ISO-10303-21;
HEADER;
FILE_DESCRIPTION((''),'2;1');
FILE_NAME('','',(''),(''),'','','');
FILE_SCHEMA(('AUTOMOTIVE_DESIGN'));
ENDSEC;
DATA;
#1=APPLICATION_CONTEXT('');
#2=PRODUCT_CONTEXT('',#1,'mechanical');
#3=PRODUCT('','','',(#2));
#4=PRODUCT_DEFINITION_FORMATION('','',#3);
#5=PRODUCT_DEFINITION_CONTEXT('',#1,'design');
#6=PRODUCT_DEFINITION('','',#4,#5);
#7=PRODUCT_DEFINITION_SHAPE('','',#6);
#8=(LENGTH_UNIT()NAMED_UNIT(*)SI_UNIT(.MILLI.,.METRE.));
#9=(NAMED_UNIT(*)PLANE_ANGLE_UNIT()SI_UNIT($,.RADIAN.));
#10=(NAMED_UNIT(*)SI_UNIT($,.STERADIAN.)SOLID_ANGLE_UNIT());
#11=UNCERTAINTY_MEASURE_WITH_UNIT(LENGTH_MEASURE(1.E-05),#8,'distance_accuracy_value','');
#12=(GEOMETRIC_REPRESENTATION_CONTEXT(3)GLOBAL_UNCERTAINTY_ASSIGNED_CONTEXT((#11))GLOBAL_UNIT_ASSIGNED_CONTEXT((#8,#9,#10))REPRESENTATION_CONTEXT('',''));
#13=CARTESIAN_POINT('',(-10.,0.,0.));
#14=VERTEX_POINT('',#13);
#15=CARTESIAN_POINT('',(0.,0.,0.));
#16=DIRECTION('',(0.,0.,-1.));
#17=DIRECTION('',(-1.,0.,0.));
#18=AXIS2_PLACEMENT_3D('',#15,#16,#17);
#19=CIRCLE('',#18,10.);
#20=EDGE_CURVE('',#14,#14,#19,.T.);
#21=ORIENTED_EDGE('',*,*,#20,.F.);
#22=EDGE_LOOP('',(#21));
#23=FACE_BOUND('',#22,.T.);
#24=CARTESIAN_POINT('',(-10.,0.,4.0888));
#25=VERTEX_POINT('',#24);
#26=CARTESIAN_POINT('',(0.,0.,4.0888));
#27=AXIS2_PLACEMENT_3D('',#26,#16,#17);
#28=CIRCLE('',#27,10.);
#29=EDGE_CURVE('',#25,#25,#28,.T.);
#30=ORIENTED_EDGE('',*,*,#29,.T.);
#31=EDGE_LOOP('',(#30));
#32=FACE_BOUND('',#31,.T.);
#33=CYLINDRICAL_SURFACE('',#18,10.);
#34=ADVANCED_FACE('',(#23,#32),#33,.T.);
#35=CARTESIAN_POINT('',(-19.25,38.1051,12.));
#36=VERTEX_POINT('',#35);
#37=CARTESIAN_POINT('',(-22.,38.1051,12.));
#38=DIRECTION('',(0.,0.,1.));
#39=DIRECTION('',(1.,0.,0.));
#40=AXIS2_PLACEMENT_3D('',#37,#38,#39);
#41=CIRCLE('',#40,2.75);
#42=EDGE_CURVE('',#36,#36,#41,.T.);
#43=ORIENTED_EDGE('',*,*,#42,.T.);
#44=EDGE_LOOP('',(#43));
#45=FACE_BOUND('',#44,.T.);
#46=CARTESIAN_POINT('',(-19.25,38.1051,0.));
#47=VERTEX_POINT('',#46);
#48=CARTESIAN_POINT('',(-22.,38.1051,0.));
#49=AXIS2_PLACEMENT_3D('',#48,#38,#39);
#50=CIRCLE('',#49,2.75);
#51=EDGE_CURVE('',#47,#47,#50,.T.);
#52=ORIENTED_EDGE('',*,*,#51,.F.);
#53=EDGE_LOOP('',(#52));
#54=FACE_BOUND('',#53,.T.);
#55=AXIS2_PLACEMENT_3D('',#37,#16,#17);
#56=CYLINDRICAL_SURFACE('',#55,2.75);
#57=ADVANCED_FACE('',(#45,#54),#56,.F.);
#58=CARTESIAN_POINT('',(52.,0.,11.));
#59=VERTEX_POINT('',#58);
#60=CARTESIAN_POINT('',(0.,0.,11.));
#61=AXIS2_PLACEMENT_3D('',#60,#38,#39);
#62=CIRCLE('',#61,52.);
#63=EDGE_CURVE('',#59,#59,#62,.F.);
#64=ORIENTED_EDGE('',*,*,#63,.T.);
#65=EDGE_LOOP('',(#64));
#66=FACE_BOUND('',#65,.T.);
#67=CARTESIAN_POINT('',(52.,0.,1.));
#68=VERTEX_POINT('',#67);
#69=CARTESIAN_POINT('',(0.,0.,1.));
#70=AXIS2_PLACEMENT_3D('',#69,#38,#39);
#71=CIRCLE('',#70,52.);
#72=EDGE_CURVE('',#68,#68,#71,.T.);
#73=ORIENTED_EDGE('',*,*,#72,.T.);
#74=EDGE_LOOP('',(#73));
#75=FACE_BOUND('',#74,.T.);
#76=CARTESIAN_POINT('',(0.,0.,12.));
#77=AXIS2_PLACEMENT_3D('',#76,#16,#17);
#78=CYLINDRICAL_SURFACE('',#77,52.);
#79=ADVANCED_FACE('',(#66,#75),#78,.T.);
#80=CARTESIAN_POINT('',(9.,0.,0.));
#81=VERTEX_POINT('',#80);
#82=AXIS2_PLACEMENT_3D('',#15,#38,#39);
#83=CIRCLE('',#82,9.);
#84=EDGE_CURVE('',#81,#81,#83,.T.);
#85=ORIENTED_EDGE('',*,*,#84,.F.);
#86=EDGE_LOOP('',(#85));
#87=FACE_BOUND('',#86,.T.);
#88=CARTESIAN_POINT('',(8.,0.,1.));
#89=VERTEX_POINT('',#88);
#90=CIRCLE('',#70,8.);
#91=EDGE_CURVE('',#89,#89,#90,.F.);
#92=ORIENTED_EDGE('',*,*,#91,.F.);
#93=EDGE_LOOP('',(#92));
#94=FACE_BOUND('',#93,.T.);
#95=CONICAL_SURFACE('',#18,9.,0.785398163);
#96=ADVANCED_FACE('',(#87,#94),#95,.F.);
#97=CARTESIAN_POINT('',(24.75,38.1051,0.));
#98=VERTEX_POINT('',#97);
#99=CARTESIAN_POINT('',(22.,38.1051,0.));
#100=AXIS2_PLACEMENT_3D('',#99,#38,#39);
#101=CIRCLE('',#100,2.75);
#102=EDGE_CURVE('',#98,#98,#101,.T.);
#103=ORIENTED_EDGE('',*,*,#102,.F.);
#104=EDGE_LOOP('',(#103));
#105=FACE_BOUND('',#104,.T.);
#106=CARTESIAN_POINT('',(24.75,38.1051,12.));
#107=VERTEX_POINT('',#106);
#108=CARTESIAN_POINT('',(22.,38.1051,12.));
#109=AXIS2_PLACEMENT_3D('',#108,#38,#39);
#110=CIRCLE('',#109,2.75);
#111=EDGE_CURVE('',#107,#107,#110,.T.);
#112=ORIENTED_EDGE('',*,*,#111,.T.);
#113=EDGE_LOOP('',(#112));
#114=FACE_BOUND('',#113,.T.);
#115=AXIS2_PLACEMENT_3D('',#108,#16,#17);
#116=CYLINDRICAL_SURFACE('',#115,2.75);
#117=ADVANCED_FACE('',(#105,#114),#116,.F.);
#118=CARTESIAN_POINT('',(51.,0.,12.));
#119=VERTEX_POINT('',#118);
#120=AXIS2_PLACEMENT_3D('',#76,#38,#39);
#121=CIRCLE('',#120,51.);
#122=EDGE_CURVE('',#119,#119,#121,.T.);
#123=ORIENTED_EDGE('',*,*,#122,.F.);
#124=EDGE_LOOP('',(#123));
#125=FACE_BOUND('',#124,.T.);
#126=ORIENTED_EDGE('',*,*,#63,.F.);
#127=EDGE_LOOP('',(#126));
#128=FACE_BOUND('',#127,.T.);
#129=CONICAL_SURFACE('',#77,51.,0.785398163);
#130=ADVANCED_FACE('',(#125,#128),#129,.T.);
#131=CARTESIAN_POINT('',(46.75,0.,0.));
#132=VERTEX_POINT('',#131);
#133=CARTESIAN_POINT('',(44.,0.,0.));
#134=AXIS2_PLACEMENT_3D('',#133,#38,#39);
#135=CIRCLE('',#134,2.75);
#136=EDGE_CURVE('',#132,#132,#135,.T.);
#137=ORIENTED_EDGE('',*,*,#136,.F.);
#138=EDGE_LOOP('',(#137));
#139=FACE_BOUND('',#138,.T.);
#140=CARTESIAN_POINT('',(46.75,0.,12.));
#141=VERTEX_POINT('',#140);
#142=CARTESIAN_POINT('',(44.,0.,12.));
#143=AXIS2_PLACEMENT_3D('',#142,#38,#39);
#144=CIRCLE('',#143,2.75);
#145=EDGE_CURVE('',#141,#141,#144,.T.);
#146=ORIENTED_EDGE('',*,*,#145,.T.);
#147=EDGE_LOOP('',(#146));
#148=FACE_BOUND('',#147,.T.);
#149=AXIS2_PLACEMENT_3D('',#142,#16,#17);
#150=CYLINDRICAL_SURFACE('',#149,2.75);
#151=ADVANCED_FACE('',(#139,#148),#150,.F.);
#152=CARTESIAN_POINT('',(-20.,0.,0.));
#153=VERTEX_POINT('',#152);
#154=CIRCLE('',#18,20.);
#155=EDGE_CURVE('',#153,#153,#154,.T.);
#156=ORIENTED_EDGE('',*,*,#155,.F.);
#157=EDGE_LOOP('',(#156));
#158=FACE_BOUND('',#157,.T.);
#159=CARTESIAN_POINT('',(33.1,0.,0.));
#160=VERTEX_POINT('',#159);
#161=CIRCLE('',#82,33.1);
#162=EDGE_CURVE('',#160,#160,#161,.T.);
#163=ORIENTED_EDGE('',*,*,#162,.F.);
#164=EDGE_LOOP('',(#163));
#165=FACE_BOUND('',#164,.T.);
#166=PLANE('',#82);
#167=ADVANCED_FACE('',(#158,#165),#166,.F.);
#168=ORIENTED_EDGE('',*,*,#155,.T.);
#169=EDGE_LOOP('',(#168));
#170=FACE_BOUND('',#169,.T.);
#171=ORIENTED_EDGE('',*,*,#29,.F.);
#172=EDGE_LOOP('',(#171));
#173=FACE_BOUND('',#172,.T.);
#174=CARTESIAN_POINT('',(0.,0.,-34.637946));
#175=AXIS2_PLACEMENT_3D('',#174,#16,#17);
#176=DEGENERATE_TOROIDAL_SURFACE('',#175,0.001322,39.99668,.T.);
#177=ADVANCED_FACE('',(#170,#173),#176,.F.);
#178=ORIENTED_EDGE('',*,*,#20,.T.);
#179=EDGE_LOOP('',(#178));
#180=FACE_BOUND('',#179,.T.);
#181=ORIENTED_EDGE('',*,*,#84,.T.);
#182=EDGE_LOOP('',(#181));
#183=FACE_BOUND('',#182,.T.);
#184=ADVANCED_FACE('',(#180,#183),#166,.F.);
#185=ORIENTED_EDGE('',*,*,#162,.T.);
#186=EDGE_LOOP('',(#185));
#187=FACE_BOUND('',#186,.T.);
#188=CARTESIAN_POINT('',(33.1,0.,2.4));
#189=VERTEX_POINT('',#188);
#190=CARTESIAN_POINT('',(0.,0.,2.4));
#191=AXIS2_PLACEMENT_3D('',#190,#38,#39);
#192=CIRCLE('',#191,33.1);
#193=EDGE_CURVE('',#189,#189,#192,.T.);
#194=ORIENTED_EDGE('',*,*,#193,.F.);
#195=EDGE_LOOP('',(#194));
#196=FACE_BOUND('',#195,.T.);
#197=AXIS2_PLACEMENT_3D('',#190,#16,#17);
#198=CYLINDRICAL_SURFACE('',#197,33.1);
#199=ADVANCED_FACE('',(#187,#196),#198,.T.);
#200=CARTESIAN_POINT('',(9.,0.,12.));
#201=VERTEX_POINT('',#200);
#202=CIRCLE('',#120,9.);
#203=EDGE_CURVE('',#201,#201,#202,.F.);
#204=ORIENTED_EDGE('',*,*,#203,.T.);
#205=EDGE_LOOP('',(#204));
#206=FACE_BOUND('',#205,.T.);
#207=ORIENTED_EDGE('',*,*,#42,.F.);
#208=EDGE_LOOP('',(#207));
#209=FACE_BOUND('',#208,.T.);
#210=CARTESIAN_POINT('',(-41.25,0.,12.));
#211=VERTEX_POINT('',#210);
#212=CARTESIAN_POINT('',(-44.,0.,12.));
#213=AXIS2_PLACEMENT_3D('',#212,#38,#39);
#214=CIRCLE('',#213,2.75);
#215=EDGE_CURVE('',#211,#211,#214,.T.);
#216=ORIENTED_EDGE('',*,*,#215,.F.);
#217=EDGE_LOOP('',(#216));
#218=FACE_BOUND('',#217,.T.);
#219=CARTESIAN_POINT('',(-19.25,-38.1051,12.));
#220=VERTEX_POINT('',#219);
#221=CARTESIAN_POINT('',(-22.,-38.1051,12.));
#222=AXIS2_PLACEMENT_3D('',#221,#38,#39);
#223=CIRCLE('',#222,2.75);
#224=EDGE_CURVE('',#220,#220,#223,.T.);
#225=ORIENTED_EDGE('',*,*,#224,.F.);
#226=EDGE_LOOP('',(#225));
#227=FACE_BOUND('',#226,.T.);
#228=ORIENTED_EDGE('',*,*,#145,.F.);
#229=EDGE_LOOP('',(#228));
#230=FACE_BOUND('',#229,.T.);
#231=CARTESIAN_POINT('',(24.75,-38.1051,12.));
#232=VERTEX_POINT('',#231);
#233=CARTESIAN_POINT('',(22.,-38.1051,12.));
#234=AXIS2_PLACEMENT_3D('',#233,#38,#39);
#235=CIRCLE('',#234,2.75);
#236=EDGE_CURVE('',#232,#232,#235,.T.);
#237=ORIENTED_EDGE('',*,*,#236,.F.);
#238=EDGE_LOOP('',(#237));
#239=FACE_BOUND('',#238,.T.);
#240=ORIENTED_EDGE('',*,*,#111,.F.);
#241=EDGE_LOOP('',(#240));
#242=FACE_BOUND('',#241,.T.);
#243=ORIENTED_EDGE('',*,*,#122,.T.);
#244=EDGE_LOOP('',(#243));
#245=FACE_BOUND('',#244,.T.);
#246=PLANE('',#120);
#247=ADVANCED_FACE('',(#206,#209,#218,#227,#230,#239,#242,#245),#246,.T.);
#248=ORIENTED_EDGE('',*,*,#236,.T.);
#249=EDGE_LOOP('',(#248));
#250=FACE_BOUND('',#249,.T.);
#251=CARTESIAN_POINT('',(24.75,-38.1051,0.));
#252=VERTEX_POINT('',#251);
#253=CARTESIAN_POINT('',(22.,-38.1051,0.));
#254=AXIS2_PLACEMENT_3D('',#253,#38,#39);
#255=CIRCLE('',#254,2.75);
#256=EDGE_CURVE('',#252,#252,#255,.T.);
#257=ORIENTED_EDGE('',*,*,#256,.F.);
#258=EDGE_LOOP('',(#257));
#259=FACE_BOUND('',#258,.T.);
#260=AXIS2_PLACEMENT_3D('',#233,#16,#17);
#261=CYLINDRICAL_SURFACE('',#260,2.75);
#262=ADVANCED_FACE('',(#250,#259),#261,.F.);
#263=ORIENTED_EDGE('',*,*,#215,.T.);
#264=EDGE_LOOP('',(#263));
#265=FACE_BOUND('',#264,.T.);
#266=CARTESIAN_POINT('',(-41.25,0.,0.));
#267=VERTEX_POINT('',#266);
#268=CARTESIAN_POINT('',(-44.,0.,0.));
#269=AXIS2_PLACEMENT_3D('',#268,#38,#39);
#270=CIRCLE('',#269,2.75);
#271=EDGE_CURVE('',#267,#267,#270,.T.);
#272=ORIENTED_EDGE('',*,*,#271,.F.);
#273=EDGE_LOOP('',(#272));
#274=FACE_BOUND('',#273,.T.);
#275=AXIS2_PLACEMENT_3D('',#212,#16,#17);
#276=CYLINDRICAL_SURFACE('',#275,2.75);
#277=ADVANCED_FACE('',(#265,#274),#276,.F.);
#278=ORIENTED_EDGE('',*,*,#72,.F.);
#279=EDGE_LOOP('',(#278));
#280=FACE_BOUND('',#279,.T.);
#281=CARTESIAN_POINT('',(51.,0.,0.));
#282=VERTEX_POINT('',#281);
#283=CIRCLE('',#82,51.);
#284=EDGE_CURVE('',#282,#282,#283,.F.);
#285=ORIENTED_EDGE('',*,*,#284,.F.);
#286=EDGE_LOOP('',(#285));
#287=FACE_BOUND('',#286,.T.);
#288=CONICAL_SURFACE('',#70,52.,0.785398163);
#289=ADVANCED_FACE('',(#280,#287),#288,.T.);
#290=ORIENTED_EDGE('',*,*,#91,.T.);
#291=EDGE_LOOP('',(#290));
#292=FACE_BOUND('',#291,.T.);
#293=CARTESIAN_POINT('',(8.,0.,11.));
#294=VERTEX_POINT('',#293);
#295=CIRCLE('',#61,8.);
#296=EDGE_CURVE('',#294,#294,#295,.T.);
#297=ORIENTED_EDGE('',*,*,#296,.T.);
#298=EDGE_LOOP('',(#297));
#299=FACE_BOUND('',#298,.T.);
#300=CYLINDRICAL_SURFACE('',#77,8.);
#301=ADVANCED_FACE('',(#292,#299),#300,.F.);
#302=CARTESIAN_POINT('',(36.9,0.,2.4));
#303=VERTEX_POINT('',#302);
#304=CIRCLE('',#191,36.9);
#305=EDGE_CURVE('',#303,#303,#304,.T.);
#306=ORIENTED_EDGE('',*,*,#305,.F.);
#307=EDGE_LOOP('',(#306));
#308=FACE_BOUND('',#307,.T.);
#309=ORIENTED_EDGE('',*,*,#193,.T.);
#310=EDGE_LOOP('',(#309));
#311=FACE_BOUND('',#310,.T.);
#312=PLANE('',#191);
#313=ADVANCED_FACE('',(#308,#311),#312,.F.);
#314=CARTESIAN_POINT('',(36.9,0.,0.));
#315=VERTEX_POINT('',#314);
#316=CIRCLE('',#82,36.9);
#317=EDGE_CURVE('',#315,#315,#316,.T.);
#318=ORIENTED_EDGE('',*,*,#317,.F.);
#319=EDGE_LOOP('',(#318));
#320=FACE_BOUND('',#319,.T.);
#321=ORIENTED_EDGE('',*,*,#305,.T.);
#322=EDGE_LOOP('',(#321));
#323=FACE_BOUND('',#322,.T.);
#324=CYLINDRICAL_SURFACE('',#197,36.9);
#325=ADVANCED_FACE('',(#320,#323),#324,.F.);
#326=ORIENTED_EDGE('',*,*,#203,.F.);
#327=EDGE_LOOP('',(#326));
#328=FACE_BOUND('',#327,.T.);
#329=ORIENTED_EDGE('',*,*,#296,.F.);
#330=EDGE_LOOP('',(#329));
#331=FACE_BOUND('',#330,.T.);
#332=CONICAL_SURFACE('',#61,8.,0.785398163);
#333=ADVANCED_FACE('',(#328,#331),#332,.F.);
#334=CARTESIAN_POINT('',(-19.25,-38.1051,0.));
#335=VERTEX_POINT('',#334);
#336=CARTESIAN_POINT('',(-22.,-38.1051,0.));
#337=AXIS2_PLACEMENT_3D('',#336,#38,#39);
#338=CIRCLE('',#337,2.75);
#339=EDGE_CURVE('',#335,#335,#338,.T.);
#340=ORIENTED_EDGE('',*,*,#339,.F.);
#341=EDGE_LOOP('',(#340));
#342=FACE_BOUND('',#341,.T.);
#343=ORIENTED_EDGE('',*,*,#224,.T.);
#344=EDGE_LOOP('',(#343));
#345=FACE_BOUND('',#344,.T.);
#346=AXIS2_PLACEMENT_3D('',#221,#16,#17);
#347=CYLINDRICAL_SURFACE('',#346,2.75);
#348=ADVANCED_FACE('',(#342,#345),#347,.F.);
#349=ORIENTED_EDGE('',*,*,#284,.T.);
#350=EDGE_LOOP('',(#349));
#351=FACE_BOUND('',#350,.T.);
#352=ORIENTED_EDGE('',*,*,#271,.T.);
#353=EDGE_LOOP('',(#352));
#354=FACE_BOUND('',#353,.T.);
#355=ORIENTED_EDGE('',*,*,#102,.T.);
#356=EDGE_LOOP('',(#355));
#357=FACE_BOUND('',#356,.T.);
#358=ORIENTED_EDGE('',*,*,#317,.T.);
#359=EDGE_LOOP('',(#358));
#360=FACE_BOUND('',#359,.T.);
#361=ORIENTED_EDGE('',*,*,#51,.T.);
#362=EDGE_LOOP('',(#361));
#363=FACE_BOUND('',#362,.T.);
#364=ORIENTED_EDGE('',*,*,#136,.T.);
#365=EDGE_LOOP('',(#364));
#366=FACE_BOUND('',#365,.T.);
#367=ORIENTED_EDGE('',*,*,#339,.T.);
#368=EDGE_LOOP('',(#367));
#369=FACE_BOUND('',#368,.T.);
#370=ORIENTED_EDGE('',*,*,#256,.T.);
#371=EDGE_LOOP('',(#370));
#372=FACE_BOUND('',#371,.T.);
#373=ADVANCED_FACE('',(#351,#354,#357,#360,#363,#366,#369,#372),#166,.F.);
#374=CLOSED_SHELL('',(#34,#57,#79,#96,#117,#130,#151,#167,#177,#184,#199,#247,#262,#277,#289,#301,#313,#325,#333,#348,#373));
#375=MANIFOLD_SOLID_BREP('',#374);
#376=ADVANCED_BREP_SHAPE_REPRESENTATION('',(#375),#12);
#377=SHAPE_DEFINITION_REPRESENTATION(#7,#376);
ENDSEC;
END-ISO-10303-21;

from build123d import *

# Parameters (mm, degrees)
SK_DISC_R          = 52
EXT_DISC_DEPTH     = 12
SK_C16_R           = 8
CUT_C16_DEPTH      = 12
CHAMFER_C1_SIZE    = 1
SK_BOLT88_R        = 2.75
CUT_BOLT88_DEPTH   = 12
SK_GROOVE70_R      = 36.9
SK_GROOVE70_R_2    = 33.1
CUT_GROOVE70_DEPTH = 2.4


with BuildPart() as part:
    # Sk_disc → Ext_disc (new body)
    with BuildSketch(Plane.XY):
        Circle(SK_DISC_R)
    extrude(amount=EXT_DISC_DEPTH)

    # Sk_c16 → Cut_c16 (cut)
    with BuildSketch(Plane.XY):
        Circle(SK_C16_R)
    extrude(amount=CUT_C16_DEPTH, mode=Mode.SUBTRACT)

    # Chamfer_C1
    chamfer_c1_edges = [part.edges().sort_by_distance(p)[0] for p in [
        (-52, 0, 0),
        (-52, 0, 12),
        (-8, 0, 0),
        (-8, 0, 12),
    ]]
    chamfer(chamfer_c1_edges, length=CHAMFER_C1_SIZE)

    # Sk_bolt88 → Cut_bolt88 (cut)
    with BuildSketch(Plane.XY):
        with Locations((44, 0)):
            Circle(SK_BOLT88_R)
        with Locations((22, 38.1051)):
            Circle(SK_BOLT88_R)
        with Locations((-22, 38.1051)):
            Circle(SK_BOLT88_R)
        with Locations((-44, 0)):
            Circle(SK_BOLT88_R)
        with Locations((-22, -38.1051)):
            Circle(SK_BOLT88_R)
        with Locations((22, -38.1051)):
            Circle(SK_BOLT88_R)
    extrude(amount=CUT_BOLT88_DEPTH, mode=Mode.SUBTRACT)

    # Sk_seat → Cut_seatR40 (revolve, cut)
    with BuildSketch(Plane(origin=(0, 0, 0), x_dir=(1, 0, 0), z_dir=(0, 1, 0)), mode=Mode.PRIVATE) as cut_seatr40_sk:
        with BuildLine():
            Line((10, -4.0888), (10, 0))
            Line((10, 0), (20, 0))
            ThreePointArc((20, 0), (15.138690108, -2.383595138), (10, -4.0888))
        make_face()
    revolve(cut_seatr40_sk.sketch.rotate(Axis((0, 0, 0), (0, 0, 1)), 180), axis=Axis((0, 0, 0), (0, 0, 1)), mode=Mode.SUBTRACT)

    # Sk_groove70 → Cut_groove70 (cut)
    with BuildSketch(Plane.XY):
        Circle(SK_GROOVE70_R)
        Circle(SK_GROOVE70_R_2, mode=Mode.SUBTRACT)
    extrude(amount=CUT_GROOVE70_DEPTH, mode=Mode.SUBTRACT)


solid = part.part
